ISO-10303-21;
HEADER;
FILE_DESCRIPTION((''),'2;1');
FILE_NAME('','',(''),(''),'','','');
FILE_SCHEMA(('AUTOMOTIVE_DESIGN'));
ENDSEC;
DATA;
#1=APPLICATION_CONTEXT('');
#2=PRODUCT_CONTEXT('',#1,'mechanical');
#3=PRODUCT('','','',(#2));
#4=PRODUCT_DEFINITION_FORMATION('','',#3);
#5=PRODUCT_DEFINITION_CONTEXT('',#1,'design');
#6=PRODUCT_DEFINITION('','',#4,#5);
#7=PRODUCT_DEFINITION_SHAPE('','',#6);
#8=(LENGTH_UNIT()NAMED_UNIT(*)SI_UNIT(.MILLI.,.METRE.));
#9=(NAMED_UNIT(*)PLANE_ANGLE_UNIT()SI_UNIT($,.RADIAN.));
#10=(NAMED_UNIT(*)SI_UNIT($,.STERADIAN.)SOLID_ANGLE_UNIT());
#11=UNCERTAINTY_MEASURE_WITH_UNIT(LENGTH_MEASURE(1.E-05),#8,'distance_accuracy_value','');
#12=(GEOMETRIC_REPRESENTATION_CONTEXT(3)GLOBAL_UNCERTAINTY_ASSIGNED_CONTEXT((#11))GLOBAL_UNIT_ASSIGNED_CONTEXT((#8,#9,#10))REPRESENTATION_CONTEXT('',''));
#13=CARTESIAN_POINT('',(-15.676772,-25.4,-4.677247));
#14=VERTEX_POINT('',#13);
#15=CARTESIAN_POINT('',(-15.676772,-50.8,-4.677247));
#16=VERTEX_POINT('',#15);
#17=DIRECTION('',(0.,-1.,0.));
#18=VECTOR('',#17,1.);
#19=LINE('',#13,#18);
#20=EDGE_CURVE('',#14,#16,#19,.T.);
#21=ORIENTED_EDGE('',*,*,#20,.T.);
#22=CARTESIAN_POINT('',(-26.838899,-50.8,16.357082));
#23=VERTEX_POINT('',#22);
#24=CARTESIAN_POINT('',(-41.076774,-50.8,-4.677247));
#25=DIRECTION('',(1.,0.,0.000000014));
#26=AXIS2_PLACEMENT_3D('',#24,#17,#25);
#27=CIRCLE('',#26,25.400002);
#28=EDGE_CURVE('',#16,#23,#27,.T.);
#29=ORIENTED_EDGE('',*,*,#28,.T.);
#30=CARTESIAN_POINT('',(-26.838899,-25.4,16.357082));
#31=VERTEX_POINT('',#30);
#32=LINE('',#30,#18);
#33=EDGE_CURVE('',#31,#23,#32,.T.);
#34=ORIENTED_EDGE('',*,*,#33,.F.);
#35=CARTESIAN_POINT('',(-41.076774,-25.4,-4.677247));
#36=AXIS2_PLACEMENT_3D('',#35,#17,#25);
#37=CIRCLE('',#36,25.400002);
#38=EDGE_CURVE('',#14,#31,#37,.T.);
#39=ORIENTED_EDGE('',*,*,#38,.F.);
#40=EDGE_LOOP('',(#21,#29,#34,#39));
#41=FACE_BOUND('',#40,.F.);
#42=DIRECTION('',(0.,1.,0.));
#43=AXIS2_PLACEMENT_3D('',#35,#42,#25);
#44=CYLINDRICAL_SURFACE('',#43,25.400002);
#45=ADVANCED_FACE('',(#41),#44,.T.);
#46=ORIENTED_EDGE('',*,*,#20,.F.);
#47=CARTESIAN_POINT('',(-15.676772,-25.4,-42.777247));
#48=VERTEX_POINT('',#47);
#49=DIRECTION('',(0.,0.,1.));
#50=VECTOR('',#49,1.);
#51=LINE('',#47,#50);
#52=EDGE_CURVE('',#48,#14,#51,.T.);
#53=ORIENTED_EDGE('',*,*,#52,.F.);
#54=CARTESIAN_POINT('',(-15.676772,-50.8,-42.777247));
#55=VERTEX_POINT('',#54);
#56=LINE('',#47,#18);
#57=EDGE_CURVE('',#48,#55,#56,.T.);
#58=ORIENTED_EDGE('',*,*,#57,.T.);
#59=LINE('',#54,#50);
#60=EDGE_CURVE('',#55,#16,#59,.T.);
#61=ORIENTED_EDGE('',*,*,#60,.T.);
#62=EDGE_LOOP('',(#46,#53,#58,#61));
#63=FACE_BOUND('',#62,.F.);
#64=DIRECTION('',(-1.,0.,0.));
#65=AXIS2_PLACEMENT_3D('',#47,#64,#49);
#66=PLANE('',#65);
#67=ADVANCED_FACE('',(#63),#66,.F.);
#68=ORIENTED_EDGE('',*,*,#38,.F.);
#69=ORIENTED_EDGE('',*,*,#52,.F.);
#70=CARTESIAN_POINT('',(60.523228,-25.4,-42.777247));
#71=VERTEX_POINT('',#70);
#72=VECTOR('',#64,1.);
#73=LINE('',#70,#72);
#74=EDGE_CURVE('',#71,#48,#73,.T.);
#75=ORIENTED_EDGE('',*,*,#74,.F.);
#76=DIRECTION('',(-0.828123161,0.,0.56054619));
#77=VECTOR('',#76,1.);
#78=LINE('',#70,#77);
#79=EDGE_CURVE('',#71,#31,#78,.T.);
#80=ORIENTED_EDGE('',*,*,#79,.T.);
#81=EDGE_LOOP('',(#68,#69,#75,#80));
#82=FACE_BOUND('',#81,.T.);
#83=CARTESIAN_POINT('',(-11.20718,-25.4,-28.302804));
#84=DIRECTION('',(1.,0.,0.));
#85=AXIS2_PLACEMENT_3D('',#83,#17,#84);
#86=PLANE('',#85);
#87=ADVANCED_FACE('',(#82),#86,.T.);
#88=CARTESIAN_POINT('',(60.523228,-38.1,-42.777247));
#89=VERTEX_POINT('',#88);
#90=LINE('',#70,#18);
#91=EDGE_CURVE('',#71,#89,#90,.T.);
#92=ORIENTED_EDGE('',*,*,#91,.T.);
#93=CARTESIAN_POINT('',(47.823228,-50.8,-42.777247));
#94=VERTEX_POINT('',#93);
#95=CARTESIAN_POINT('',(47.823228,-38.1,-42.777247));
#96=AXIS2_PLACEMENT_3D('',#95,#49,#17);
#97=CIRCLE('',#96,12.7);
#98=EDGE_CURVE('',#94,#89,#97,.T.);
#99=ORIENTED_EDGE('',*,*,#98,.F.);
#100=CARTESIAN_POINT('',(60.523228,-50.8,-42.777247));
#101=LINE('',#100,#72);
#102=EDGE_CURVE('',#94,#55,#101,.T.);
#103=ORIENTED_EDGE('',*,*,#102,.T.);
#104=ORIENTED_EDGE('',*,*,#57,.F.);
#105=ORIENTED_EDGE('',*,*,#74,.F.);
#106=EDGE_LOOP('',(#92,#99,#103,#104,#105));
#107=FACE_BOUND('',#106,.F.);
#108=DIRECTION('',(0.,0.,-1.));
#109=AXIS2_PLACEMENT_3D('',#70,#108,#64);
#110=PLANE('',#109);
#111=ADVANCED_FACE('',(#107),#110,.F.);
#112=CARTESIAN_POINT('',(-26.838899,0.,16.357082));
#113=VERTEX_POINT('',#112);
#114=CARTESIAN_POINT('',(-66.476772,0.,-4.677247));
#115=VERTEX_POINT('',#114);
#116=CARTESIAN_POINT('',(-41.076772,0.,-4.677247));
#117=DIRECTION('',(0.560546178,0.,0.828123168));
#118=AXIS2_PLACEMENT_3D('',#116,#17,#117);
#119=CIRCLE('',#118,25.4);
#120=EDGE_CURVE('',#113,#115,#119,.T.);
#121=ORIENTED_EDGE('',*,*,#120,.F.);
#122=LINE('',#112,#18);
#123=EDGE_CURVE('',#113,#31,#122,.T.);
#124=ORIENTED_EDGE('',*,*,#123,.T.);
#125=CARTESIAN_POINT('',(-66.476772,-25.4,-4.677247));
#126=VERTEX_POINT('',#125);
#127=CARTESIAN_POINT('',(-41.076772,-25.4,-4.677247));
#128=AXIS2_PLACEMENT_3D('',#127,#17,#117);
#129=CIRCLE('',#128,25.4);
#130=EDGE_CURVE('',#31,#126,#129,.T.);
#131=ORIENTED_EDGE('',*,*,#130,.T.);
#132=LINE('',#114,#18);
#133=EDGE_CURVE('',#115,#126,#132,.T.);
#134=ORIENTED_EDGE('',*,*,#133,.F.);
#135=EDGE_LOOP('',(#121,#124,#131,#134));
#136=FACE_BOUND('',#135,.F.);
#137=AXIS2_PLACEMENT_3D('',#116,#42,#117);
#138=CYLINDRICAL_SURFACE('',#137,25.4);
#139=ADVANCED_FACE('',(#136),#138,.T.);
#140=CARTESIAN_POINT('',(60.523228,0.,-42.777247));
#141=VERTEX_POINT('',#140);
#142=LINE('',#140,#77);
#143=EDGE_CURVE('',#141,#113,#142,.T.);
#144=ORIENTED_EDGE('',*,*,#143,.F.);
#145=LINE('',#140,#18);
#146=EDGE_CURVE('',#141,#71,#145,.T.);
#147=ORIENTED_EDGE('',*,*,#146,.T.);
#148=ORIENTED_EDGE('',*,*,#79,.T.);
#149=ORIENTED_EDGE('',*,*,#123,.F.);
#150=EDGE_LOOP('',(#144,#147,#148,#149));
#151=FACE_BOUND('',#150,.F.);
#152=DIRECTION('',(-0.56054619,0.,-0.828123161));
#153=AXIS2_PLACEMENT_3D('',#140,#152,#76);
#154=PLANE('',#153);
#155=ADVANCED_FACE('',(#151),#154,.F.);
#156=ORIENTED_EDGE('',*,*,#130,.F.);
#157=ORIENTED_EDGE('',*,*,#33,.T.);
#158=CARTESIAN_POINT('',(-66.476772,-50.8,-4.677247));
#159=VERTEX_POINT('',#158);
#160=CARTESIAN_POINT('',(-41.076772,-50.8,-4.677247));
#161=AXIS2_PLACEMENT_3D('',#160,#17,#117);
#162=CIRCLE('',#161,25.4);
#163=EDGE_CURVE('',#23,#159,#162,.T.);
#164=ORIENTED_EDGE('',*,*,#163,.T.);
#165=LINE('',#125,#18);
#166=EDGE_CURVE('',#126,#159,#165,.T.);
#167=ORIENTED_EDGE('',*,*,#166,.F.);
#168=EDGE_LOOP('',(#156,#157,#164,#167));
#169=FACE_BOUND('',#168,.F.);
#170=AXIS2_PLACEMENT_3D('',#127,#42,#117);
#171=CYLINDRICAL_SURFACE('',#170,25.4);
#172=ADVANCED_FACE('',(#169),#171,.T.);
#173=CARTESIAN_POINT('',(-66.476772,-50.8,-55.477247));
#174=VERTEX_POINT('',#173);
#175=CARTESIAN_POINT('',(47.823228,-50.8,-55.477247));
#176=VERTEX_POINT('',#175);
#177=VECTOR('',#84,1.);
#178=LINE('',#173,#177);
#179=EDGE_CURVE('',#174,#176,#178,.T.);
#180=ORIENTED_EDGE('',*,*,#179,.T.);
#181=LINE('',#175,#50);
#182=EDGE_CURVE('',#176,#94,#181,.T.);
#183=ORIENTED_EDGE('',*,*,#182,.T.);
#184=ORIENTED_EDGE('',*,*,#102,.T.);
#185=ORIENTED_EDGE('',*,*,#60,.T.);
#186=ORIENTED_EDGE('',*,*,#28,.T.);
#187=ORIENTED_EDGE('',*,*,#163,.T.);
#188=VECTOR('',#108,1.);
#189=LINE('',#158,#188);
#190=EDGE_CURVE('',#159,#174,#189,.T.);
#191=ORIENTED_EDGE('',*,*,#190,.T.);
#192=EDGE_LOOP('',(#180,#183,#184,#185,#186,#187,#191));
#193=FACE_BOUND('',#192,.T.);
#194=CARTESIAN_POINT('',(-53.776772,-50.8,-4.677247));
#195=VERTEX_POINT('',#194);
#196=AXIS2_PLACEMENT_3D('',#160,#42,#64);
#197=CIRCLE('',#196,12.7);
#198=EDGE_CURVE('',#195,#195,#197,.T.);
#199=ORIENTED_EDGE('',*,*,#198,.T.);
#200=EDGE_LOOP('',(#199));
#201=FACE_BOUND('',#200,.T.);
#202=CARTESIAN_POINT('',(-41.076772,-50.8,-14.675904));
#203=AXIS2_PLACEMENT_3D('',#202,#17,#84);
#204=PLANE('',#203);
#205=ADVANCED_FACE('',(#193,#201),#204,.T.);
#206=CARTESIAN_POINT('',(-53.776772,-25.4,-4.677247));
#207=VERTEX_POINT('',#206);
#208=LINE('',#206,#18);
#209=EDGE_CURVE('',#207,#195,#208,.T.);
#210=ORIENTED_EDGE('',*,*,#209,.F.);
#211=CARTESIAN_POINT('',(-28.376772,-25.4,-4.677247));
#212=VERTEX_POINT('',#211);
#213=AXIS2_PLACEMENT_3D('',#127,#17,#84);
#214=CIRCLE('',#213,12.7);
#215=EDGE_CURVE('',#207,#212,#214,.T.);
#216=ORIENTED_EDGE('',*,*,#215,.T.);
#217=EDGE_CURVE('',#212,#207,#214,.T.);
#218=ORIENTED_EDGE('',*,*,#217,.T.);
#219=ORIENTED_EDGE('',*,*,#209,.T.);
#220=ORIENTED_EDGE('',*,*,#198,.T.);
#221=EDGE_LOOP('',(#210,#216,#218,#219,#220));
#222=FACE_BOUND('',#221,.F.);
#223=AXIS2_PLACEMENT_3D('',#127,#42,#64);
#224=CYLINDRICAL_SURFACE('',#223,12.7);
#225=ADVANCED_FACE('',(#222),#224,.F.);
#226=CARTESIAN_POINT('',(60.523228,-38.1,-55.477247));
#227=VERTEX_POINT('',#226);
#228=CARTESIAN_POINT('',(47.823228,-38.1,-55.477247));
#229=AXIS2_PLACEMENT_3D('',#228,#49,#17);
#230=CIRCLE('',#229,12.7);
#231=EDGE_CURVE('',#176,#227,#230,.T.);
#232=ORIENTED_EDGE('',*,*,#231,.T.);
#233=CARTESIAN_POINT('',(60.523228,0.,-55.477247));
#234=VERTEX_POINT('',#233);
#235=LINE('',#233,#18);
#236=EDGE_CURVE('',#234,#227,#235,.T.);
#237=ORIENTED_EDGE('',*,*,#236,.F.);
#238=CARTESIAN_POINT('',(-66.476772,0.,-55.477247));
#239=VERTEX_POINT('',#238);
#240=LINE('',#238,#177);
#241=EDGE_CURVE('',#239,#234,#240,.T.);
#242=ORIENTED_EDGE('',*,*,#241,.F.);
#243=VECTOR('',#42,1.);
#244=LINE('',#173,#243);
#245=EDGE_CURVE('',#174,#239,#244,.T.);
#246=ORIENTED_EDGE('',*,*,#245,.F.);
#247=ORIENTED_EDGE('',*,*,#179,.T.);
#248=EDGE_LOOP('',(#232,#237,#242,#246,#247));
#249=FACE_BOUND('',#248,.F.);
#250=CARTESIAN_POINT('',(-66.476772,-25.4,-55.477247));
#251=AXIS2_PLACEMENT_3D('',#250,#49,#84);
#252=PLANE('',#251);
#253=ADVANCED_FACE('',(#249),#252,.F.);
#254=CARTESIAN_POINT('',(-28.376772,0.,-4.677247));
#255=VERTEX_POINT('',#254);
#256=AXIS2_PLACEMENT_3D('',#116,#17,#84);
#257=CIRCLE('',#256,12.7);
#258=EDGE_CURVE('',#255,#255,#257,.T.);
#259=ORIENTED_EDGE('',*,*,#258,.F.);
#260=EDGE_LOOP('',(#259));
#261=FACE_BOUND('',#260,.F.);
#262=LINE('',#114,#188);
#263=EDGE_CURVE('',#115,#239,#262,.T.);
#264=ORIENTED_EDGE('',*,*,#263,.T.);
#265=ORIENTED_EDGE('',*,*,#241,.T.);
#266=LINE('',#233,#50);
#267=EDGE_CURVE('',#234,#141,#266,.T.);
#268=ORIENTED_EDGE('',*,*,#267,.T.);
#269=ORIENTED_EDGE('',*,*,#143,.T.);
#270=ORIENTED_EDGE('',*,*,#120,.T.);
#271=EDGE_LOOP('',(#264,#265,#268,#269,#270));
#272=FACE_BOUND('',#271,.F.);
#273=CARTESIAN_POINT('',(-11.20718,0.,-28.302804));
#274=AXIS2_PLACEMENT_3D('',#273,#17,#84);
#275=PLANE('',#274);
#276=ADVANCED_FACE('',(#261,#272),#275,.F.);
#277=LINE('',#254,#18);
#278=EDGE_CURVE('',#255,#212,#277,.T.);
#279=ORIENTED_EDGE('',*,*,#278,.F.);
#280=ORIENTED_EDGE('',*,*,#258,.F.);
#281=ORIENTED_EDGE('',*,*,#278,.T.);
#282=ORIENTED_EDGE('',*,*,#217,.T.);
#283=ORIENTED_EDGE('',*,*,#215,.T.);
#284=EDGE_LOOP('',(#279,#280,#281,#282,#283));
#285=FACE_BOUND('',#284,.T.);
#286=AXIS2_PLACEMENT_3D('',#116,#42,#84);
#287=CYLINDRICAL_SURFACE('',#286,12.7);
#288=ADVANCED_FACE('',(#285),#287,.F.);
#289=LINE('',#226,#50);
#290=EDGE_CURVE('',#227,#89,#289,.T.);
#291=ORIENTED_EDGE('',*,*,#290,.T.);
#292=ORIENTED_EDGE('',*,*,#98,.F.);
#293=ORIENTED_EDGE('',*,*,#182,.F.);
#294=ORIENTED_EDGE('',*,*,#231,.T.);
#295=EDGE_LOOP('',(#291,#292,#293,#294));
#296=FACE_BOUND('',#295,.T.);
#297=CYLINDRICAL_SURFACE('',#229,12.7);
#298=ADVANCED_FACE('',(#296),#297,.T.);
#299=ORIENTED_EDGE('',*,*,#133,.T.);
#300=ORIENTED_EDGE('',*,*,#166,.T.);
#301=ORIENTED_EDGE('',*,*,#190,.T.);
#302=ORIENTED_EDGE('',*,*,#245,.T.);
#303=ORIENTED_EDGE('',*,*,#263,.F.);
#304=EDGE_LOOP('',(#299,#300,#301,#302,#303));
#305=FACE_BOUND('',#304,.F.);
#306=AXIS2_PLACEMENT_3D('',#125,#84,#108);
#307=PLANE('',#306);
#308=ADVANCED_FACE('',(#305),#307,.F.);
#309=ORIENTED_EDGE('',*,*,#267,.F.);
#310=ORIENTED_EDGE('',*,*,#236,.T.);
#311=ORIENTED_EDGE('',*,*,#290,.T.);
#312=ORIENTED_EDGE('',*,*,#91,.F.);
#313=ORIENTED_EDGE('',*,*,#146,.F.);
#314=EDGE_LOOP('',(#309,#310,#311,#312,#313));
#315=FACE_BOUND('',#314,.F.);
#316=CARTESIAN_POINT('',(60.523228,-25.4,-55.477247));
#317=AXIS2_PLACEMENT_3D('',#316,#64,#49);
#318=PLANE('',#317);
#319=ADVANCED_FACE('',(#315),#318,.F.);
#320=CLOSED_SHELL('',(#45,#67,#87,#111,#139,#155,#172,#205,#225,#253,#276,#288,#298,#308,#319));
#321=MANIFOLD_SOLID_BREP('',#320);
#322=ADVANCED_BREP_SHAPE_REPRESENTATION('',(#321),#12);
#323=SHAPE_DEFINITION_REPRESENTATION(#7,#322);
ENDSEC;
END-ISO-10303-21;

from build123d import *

# Parameters (mm, degrees)
F0_R     = 12.7
F1_DEPTH = 25.4
F3_DEPTH = 25.4
F4_DEPTH = 25.4
F5_R     = 12.7


with BuildPart() as f1:
    # F0 (on Front) → F1 (new body)
    with BuildSketch(Plane.XZ):
        with BuildLine():
            Line((60.523228, -42.777247), (-26.838899, 16.357082))
            ThreePointArc((-26.838899, 16.357082), (-52.983031, 17.759353), (-66.476772, -4.677247))
            Line((-66.476772, -4.677247), (-66.476772, -55.477247))
            Line((-66.476772, -55.477247), (60.523228, -55.477247))
            Line((60.523228, -55.477247), (60.523228, -42.777247))
        make_face()
        with Locations((-41.076772, -4.677247)):
            Circle(F0_R, mode=Mode.SUBTRACT)
    extrude(amount=F1_DEPTH)

    # F2 (on face) → F3 (join)
    with BuildSketch(Plane.XZ.offset(25.4)):
        with BuildLine():
            Line((-15.676772, -4.677247), (-28.376772, -4.677247))
            ThreePointArc((-28.376772, -4.677247), (-41.076772, -17.377247), (-53.776772, -4.677247))
            Line((-53.776772, -4.677247), (-66.476772, -4.677247))
            ThreePointArc((-66.476772, -4.677247), (-41.076772, -30.077247), (-15.676772, -4.677247))
        make_face()
        with BuildLine():
            ThreePointArc((-53.776772, -4.677247), (-41.076772, 8.022753), (-28.376772, -4.677247))
            Line((-28.376772, -4.677247), (-15.676772, -4.677247))
            ThreePointArc((-15.676772, -4.677247), (-41.076772, 20.722753), (-66.476772, -4.677247))
            Line((-66.476772, -4.677247), (-53.776772, -4.677247))
        make_face()
    extrude(amount=F3_DEPTH)

    # F2 (on face) → F4 (join)
    with BuildSketch(Plane.XZ.offset(25.4)):
        with BuildLine():
            Line((-15.676772, -4.677247), (-28.376772, -4.677247))
            ThreePointArc((-28.376772, -4.677247), (-41.076772, -17.377247), (-53.776772, -4.677247))
            Line((-53.776772, -4.677247), (-66.476772, -4.677247))
            ThreePointArc((-66.476772, -4.677247), (-41.076772, -30.077247), (-15.676772, -4.677247))
        make_face()
        with BuildLine():
            ThreePointArc((-53.776772, -4.677247), (-41.076772, 8.022753), (-28.376772, -4.677247))
            Line((-28.376772, -4.677247), (-15.676772, -4.677247))
            ThreePointArc((-15.676772, -4.677247), (-18.640173, 7.229013), (-26.838899, 16.357082))
            ThreePointArc((-26.838899, 16.357082), (-52.983031, 17.759353), (-66.476772, -4.677247))
            Line((-66.476772, -4.677247), (-53.776772, -4.677247))
        make_face()
        with BuildLine():
            Line((-15.676772, -42.777247), (-15.676772, -4.677247))
            ThreePointArc((-15.676772, -4.677247), (-41.076772, -30.077247), (-66.476772, -4.677247))
            Line((-66.476772, -4.677247), (-66.476772, -42.777247))
            Line((-66.476772, -42.777247), (-66.476772, -55.477247))
            Line((-66.476772, -55.477247), (60.523228, -55.477247))
            Line((60.523228, -55.477247), (60.523228, -42.777247))
            Line((60.523228, -42.777247), (-15.676772, -42.777247))
        make_face()
    extrude(amount=F4_DEPTH)

    # F5
    f5_edges = [f1.edges().sort_by_distance(p)[0] for p in [
        (60.523228, -50.8, -49.127247),
    ]]
    fillet(f5_edges, radius=F5_R)


solid = f1.part
